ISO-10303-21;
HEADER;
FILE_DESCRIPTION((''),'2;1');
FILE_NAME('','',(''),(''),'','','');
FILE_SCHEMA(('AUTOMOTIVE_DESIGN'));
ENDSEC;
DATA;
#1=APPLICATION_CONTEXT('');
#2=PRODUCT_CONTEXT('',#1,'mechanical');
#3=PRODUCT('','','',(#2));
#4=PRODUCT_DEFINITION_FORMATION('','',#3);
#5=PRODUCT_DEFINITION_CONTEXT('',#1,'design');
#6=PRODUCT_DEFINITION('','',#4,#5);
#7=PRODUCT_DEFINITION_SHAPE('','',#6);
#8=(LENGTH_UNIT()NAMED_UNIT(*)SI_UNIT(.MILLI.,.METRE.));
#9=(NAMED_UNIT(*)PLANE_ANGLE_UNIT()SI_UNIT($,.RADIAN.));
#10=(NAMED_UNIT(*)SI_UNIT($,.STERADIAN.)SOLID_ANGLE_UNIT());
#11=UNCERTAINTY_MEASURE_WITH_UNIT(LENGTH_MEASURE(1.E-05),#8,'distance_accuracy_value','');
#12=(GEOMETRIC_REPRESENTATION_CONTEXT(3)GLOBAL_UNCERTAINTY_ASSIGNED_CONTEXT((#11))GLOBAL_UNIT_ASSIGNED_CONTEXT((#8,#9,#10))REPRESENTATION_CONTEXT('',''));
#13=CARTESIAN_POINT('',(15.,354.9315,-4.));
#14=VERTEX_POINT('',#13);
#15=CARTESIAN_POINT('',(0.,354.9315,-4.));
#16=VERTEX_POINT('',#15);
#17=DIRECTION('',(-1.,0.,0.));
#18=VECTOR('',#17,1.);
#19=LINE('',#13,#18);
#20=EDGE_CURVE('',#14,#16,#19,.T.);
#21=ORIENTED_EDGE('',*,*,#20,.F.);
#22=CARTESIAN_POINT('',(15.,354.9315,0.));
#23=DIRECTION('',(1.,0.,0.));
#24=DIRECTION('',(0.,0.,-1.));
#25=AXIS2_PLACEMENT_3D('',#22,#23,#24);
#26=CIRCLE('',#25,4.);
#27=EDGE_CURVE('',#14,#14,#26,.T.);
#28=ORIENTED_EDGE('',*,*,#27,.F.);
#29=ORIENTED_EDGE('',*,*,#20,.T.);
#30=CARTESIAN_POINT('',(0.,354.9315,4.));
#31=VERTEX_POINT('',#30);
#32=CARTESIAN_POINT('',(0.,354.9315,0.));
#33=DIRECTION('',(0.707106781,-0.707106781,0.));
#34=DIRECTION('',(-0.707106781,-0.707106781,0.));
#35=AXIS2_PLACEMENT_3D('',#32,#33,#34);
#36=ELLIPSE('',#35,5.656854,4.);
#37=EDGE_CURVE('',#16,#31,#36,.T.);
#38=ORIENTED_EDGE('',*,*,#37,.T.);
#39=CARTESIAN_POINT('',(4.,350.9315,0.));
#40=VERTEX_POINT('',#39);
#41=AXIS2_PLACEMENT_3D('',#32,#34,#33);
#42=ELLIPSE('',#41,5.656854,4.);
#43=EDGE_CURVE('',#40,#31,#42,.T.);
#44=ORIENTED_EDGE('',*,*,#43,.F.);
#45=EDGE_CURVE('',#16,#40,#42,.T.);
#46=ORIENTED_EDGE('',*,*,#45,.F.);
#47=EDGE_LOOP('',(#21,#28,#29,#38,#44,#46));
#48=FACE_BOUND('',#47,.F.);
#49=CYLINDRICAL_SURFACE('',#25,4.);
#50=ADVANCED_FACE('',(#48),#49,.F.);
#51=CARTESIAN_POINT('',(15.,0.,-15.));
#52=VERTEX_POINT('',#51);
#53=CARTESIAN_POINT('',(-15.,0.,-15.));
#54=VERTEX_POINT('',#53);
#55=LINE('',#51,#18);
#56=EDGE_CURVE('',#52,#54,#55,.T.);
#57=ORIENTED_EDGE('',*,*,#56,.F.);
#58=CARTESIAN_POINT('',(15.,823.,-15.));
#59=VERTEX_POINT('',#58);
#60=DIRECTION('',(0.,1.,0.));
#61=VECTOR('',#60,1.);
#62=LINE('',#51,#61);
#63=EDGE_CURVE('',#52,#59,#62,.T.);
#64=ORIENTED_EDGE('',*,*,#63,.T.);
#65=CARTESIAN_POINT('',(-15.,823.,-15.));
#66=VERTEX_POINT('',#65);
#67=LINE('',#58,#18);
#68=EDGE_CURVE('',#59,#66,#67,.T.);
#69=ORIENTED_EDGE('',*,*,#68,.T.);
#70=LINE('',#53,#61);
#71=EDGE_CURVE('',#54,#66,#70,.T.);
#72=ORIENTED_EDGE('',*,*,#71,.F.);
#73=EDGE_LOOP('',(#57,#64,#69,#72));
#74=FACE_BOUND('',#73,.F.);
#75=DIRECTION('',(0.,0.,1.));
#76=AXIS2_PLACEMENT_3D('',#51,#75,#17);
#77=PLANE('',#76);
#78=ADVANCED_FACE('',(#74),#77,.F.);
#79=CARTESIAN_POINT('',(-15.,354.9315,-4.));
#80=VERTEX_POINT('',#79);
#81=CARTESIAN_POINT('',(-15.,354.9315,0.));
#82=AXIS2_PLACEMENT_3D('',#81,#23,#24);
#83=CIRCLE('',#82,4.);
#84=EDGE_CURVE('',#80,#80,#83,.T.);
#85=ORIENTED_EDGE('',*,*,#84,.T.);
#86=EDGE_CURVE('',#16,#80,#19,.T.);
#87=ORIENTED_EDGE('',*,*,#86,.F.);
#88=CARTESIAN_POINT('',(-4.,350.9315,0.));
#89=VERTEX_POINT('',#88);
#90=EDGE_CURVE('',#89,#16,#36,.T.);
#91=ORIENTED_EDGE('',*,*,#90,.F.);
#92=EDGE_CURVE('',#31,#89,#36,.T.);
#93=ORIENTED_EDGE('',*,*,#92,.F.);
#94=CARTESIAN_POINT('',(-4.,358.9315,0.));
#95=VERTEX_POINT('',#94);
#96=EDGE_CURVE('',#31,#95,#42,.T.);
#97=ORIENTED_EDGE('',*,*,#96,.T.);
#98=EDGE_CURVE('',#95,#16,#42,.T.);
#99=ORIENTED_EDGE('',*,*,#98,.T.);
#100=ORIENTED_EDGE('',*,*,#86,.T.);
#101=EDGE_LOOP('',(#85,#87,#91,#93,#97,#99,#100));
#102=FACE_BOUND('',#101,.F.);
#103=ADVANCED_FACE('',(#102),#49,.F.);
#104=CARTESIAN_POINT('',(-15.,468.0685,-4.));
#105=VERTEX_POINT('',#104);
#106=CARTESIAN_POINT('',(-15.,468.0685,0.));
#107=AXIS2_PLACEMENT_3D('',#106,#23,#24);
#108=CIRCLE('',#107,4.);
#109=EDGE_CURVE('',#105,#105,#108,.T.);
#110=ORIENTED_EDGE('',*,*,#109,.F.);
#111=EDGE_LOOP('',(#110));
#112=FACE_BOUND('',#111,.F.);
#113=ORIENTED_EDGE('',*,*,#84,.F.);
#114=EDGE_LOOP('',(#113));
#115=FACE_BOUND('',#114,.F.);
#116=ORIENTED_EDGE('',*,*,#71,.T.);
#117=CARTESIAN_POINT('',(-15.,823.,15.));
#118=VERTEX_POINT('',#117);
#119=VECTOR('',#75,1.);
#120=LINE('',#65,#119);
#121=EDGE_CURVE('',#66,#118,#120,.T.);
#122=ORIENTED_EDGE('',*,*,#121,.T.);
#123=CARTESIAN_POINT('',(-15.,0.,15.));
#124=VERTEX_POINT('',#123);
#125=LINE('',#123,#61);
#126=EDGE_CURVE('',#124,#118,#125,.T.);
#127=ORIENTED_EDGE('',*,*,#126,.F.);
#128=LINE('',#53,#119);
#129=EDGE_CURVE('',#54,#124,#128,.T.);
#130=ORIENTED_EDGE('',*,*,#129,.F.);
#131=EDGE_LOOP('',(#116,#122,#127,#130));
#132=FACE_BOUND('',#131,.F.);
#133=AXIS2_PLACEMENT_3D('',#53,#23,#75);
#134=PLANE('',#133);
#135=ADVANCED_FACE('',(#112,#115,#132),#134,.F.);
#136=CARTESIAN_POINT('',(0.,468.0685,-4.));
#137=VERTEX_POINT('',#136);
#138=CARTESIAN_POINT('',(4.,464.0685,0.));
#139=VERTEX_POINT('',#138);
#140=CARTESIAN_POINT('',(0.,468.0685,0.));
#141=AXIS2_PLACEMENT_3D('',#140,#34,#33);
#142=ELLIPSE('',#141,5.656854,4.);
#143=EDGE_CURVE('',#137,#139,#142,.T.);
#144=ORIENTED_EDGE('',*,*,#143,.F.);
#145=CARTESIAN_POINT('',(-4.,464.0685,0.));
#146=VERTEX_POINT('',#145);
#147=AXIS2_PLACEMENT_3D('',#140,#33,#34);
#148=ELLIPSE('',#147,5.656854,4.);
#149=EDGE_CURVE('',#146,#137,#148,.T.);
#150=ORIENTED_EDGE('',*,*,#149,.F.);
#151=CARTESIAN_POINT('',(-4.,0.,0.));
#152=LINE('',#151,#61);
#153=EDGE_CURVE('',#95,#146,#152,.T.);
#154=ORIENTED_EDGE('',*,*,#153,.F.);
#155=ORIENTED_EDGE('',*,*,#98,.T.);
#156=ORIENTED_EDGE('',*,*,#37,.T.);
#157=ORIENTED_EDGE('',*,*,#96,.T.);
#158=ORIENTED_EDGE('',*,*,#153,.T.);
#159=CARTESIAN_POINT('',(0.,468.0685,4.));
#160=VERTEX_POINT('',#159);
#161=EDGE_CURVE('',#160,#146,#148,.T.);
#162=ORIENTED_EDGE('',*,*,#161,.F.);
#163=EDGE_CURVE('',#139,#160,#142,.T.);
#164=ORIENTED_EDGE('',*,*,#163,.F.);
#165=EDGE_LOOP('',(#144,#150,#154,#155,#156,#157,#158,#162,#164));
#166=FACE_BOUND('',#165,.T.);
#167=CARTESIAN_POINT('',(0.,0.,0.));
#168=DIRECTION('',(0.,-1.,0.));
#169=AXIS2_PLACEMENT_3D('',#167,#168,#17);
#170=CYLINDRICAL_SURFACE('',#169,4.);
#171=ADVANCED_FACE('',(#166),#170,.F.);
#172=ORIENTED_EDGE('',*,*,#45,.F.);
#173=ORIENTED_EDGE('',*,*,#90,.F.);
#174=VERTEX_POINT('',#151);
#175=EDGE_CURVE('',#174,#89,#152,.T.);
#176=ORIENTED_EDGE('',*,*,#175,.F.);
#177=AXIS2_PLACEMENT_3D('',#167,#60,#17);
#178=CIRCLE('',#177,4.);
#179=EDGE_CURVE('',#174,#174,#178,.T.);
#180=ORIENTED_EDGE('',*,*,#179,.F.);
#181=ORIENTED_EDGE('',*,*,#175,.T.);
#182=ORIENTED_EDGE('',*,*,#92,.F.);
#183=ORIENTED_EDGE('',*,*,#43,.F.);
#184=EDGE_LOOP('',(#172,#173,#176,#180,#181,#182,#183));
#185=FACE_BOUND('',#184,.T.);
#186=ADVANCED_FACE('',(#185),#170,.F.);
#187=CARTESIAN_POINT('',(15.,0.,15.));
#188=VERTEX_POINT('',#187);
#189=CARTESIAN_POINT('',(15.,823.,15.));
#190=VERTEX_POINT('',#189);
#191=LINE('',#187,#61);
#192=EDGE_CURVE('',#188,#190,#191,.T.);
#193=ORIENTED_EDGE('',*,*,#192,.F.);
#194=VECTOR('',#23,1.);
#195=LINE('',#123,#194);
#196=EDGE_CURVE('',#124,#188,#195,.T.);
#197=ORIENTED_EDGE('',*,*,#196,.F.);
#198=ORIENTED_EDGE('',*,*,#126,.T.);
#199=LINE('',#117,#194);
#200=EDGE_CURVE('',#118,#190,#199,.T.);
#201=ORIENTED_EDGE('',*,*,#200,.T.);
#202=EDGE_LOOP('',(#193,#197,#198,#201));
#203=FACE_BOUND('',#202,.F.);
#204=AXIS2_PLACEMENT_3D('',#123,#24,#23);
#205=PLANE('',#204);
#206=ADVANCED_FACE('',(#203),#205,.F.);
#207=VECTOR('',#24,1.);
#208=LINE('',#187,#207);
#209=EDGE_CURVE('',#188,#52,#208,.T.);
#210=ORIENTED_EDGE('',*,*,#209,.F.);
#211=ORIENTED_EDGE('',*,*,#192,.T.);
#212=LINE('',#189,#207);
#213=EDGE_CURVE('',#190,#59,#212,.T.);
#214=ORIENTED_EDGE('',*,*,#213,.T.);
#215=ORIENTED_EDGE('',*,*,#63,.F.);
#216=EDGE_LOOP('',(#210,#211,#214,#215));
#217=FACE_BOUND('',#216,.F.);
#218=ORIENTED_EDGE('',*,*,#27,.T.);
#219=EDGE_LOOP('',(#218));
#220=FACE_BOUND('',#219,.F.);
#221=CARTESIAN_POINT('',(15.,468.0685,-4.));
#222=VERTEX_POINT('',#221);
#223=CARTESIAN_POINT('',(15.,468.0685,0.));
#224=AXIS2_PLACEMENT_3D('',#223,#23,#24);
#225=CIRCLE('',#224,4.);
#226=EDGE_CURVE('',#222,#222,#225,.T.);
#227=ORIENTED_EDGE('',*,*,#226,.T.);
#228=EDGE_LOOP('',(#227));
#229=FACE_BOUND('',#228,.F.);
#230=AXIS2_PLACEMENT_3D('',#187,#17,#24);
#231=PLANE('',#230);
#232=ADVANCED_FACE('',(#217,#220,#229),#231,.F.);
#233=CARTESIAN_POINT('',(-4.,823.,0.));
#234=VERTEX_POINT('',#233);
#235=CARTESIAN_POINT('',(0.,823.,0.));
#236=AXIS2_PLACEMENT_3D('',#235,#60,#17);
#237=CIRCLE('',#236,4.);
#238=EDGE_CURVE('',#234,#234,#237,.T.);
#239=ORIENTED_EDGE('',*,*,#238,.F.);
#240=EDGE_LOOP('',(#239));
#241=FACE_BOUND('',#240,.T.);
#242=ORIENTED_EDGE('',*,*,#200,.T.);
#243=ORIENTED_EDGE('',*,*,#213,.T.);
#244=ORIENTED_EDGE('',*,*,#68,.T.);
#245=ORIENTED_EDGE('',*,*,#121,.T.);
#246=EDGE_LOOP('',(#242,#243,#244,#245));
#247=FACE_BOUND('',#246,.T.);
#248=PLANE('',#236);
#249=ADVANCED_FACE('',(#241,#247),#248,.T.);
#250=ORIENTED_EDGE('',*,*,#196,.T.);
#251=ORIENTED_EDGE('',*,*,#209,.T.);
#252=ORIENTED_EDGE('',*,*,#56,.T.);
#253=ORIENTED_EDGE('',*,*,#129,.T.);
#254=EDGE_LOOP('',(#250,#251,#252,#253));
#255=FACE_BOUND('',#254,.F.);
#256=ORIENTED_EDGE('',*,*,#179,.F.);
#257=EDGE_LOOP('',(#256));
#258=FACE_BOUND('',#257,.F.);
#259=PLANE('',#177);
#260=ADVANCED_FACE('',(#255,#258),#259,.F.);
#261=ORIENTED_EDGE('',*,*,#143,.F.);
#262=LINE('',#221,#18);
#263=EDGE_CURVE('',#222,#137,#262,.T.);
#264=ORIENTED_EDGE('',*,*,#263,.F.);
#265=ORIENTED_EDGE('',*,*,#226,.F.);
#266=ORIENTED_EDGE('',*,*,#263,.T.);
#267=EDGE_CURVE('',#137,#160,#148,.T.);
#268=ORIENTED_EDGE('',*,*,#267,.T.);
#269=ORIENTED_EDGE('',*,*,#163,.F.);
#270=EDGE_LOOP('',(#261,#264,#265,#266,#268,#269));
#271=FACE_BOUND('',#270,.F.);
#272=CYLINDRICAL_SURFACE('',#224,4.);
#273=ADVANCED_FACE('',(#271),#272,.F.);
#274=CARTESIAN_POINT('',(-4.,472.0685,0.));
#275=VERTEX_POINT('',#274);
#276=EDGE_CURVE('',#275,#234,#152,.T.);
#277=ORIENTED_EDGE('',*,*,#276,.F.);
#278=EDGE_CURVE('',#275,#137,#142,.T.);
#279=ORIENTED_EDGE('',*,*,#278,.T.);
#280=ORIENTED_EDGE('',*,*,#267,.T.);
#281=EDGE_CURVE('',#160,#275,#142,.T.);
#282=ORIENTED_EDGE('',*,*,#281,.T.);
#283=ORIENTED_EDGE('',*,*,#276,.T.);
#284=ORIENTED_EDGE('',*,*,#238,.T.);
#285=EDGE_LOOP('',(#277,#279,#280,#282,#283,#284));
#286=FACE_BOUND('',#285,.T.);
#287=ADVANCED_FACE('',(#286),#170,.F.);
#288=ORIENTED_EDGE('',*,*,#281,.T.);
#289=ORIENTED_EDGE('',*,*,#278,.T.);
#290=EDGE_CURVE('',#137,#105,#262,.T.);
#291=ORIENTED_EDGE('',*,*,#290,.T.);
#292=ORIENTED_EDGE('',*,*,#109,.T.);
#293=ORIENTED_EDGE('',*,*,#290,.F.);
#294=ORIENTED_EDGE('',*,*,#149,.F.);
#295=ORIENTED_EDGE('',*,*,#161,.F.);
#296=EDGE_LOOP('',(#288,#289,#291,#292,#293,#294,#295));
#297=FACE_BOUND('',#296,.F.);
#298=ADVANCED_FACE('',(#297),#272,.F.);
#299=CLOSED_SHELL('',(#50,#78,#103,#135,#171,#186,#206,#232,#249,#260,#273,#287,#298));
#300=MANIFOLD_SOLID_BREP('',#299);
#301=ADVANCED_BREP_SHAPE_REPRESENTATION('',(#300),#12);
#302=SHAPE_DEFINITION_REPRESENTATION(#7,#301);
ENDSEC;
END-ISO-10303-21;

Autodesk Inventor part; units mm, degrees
ref_plane "YZ Plane" through (0, 0, 0) normal (1, 0, 0) x (0, 1, 0)
ref_plane "XZ Plane" through (0, 0, 0) normal (0, 1, 0) x (-1, 0, 0)
ref_plane "XY Plane" through (0, 0, 0) normal (0, 0, 1) x (1, 0, 0)
sketch "Boceto1" plane through (0, 0, 0) normal (0, 1, 0) x (-1, 0, 0)
  line L0 (15, 15) -> (-15, 15)
  line L1 (-15, 15) -> (-15, -15)
  line L2 (-15, -15) -> (15, -15)
  line L3 (15, -15) -> (15, 15)
  line L4 (15, 15) -> (-15, -15) construction
  circle A0 centre (0, 0) radius 4
  dimension "d0" = 30
  dimension "d1" = 8
extrude "Extrusión1" add sketch "Boceto1" along normal blind 823
sketch "Sketch7" plane through (15, 0, 15) normal (1, 0, 0) x (0, 0, -1)
  line L0 (30, 0) -> (30, 823) projected
  line L1 (0, 0) -> (0, 823) projected
  line L2 (0, 411.5) -> (15, 411.5)
  circle A0 centre (15, 354.9315) radius 4
  circle A1 centre (15, 468.0685) radius 4
  point P0 (15, 0)
  dimension "d14" = 8
  dimension "d15" = 8
extrude "Extrusion3" cut sketch "Sketch7" against normal blind 35
properties part number "P_3030_1500"
